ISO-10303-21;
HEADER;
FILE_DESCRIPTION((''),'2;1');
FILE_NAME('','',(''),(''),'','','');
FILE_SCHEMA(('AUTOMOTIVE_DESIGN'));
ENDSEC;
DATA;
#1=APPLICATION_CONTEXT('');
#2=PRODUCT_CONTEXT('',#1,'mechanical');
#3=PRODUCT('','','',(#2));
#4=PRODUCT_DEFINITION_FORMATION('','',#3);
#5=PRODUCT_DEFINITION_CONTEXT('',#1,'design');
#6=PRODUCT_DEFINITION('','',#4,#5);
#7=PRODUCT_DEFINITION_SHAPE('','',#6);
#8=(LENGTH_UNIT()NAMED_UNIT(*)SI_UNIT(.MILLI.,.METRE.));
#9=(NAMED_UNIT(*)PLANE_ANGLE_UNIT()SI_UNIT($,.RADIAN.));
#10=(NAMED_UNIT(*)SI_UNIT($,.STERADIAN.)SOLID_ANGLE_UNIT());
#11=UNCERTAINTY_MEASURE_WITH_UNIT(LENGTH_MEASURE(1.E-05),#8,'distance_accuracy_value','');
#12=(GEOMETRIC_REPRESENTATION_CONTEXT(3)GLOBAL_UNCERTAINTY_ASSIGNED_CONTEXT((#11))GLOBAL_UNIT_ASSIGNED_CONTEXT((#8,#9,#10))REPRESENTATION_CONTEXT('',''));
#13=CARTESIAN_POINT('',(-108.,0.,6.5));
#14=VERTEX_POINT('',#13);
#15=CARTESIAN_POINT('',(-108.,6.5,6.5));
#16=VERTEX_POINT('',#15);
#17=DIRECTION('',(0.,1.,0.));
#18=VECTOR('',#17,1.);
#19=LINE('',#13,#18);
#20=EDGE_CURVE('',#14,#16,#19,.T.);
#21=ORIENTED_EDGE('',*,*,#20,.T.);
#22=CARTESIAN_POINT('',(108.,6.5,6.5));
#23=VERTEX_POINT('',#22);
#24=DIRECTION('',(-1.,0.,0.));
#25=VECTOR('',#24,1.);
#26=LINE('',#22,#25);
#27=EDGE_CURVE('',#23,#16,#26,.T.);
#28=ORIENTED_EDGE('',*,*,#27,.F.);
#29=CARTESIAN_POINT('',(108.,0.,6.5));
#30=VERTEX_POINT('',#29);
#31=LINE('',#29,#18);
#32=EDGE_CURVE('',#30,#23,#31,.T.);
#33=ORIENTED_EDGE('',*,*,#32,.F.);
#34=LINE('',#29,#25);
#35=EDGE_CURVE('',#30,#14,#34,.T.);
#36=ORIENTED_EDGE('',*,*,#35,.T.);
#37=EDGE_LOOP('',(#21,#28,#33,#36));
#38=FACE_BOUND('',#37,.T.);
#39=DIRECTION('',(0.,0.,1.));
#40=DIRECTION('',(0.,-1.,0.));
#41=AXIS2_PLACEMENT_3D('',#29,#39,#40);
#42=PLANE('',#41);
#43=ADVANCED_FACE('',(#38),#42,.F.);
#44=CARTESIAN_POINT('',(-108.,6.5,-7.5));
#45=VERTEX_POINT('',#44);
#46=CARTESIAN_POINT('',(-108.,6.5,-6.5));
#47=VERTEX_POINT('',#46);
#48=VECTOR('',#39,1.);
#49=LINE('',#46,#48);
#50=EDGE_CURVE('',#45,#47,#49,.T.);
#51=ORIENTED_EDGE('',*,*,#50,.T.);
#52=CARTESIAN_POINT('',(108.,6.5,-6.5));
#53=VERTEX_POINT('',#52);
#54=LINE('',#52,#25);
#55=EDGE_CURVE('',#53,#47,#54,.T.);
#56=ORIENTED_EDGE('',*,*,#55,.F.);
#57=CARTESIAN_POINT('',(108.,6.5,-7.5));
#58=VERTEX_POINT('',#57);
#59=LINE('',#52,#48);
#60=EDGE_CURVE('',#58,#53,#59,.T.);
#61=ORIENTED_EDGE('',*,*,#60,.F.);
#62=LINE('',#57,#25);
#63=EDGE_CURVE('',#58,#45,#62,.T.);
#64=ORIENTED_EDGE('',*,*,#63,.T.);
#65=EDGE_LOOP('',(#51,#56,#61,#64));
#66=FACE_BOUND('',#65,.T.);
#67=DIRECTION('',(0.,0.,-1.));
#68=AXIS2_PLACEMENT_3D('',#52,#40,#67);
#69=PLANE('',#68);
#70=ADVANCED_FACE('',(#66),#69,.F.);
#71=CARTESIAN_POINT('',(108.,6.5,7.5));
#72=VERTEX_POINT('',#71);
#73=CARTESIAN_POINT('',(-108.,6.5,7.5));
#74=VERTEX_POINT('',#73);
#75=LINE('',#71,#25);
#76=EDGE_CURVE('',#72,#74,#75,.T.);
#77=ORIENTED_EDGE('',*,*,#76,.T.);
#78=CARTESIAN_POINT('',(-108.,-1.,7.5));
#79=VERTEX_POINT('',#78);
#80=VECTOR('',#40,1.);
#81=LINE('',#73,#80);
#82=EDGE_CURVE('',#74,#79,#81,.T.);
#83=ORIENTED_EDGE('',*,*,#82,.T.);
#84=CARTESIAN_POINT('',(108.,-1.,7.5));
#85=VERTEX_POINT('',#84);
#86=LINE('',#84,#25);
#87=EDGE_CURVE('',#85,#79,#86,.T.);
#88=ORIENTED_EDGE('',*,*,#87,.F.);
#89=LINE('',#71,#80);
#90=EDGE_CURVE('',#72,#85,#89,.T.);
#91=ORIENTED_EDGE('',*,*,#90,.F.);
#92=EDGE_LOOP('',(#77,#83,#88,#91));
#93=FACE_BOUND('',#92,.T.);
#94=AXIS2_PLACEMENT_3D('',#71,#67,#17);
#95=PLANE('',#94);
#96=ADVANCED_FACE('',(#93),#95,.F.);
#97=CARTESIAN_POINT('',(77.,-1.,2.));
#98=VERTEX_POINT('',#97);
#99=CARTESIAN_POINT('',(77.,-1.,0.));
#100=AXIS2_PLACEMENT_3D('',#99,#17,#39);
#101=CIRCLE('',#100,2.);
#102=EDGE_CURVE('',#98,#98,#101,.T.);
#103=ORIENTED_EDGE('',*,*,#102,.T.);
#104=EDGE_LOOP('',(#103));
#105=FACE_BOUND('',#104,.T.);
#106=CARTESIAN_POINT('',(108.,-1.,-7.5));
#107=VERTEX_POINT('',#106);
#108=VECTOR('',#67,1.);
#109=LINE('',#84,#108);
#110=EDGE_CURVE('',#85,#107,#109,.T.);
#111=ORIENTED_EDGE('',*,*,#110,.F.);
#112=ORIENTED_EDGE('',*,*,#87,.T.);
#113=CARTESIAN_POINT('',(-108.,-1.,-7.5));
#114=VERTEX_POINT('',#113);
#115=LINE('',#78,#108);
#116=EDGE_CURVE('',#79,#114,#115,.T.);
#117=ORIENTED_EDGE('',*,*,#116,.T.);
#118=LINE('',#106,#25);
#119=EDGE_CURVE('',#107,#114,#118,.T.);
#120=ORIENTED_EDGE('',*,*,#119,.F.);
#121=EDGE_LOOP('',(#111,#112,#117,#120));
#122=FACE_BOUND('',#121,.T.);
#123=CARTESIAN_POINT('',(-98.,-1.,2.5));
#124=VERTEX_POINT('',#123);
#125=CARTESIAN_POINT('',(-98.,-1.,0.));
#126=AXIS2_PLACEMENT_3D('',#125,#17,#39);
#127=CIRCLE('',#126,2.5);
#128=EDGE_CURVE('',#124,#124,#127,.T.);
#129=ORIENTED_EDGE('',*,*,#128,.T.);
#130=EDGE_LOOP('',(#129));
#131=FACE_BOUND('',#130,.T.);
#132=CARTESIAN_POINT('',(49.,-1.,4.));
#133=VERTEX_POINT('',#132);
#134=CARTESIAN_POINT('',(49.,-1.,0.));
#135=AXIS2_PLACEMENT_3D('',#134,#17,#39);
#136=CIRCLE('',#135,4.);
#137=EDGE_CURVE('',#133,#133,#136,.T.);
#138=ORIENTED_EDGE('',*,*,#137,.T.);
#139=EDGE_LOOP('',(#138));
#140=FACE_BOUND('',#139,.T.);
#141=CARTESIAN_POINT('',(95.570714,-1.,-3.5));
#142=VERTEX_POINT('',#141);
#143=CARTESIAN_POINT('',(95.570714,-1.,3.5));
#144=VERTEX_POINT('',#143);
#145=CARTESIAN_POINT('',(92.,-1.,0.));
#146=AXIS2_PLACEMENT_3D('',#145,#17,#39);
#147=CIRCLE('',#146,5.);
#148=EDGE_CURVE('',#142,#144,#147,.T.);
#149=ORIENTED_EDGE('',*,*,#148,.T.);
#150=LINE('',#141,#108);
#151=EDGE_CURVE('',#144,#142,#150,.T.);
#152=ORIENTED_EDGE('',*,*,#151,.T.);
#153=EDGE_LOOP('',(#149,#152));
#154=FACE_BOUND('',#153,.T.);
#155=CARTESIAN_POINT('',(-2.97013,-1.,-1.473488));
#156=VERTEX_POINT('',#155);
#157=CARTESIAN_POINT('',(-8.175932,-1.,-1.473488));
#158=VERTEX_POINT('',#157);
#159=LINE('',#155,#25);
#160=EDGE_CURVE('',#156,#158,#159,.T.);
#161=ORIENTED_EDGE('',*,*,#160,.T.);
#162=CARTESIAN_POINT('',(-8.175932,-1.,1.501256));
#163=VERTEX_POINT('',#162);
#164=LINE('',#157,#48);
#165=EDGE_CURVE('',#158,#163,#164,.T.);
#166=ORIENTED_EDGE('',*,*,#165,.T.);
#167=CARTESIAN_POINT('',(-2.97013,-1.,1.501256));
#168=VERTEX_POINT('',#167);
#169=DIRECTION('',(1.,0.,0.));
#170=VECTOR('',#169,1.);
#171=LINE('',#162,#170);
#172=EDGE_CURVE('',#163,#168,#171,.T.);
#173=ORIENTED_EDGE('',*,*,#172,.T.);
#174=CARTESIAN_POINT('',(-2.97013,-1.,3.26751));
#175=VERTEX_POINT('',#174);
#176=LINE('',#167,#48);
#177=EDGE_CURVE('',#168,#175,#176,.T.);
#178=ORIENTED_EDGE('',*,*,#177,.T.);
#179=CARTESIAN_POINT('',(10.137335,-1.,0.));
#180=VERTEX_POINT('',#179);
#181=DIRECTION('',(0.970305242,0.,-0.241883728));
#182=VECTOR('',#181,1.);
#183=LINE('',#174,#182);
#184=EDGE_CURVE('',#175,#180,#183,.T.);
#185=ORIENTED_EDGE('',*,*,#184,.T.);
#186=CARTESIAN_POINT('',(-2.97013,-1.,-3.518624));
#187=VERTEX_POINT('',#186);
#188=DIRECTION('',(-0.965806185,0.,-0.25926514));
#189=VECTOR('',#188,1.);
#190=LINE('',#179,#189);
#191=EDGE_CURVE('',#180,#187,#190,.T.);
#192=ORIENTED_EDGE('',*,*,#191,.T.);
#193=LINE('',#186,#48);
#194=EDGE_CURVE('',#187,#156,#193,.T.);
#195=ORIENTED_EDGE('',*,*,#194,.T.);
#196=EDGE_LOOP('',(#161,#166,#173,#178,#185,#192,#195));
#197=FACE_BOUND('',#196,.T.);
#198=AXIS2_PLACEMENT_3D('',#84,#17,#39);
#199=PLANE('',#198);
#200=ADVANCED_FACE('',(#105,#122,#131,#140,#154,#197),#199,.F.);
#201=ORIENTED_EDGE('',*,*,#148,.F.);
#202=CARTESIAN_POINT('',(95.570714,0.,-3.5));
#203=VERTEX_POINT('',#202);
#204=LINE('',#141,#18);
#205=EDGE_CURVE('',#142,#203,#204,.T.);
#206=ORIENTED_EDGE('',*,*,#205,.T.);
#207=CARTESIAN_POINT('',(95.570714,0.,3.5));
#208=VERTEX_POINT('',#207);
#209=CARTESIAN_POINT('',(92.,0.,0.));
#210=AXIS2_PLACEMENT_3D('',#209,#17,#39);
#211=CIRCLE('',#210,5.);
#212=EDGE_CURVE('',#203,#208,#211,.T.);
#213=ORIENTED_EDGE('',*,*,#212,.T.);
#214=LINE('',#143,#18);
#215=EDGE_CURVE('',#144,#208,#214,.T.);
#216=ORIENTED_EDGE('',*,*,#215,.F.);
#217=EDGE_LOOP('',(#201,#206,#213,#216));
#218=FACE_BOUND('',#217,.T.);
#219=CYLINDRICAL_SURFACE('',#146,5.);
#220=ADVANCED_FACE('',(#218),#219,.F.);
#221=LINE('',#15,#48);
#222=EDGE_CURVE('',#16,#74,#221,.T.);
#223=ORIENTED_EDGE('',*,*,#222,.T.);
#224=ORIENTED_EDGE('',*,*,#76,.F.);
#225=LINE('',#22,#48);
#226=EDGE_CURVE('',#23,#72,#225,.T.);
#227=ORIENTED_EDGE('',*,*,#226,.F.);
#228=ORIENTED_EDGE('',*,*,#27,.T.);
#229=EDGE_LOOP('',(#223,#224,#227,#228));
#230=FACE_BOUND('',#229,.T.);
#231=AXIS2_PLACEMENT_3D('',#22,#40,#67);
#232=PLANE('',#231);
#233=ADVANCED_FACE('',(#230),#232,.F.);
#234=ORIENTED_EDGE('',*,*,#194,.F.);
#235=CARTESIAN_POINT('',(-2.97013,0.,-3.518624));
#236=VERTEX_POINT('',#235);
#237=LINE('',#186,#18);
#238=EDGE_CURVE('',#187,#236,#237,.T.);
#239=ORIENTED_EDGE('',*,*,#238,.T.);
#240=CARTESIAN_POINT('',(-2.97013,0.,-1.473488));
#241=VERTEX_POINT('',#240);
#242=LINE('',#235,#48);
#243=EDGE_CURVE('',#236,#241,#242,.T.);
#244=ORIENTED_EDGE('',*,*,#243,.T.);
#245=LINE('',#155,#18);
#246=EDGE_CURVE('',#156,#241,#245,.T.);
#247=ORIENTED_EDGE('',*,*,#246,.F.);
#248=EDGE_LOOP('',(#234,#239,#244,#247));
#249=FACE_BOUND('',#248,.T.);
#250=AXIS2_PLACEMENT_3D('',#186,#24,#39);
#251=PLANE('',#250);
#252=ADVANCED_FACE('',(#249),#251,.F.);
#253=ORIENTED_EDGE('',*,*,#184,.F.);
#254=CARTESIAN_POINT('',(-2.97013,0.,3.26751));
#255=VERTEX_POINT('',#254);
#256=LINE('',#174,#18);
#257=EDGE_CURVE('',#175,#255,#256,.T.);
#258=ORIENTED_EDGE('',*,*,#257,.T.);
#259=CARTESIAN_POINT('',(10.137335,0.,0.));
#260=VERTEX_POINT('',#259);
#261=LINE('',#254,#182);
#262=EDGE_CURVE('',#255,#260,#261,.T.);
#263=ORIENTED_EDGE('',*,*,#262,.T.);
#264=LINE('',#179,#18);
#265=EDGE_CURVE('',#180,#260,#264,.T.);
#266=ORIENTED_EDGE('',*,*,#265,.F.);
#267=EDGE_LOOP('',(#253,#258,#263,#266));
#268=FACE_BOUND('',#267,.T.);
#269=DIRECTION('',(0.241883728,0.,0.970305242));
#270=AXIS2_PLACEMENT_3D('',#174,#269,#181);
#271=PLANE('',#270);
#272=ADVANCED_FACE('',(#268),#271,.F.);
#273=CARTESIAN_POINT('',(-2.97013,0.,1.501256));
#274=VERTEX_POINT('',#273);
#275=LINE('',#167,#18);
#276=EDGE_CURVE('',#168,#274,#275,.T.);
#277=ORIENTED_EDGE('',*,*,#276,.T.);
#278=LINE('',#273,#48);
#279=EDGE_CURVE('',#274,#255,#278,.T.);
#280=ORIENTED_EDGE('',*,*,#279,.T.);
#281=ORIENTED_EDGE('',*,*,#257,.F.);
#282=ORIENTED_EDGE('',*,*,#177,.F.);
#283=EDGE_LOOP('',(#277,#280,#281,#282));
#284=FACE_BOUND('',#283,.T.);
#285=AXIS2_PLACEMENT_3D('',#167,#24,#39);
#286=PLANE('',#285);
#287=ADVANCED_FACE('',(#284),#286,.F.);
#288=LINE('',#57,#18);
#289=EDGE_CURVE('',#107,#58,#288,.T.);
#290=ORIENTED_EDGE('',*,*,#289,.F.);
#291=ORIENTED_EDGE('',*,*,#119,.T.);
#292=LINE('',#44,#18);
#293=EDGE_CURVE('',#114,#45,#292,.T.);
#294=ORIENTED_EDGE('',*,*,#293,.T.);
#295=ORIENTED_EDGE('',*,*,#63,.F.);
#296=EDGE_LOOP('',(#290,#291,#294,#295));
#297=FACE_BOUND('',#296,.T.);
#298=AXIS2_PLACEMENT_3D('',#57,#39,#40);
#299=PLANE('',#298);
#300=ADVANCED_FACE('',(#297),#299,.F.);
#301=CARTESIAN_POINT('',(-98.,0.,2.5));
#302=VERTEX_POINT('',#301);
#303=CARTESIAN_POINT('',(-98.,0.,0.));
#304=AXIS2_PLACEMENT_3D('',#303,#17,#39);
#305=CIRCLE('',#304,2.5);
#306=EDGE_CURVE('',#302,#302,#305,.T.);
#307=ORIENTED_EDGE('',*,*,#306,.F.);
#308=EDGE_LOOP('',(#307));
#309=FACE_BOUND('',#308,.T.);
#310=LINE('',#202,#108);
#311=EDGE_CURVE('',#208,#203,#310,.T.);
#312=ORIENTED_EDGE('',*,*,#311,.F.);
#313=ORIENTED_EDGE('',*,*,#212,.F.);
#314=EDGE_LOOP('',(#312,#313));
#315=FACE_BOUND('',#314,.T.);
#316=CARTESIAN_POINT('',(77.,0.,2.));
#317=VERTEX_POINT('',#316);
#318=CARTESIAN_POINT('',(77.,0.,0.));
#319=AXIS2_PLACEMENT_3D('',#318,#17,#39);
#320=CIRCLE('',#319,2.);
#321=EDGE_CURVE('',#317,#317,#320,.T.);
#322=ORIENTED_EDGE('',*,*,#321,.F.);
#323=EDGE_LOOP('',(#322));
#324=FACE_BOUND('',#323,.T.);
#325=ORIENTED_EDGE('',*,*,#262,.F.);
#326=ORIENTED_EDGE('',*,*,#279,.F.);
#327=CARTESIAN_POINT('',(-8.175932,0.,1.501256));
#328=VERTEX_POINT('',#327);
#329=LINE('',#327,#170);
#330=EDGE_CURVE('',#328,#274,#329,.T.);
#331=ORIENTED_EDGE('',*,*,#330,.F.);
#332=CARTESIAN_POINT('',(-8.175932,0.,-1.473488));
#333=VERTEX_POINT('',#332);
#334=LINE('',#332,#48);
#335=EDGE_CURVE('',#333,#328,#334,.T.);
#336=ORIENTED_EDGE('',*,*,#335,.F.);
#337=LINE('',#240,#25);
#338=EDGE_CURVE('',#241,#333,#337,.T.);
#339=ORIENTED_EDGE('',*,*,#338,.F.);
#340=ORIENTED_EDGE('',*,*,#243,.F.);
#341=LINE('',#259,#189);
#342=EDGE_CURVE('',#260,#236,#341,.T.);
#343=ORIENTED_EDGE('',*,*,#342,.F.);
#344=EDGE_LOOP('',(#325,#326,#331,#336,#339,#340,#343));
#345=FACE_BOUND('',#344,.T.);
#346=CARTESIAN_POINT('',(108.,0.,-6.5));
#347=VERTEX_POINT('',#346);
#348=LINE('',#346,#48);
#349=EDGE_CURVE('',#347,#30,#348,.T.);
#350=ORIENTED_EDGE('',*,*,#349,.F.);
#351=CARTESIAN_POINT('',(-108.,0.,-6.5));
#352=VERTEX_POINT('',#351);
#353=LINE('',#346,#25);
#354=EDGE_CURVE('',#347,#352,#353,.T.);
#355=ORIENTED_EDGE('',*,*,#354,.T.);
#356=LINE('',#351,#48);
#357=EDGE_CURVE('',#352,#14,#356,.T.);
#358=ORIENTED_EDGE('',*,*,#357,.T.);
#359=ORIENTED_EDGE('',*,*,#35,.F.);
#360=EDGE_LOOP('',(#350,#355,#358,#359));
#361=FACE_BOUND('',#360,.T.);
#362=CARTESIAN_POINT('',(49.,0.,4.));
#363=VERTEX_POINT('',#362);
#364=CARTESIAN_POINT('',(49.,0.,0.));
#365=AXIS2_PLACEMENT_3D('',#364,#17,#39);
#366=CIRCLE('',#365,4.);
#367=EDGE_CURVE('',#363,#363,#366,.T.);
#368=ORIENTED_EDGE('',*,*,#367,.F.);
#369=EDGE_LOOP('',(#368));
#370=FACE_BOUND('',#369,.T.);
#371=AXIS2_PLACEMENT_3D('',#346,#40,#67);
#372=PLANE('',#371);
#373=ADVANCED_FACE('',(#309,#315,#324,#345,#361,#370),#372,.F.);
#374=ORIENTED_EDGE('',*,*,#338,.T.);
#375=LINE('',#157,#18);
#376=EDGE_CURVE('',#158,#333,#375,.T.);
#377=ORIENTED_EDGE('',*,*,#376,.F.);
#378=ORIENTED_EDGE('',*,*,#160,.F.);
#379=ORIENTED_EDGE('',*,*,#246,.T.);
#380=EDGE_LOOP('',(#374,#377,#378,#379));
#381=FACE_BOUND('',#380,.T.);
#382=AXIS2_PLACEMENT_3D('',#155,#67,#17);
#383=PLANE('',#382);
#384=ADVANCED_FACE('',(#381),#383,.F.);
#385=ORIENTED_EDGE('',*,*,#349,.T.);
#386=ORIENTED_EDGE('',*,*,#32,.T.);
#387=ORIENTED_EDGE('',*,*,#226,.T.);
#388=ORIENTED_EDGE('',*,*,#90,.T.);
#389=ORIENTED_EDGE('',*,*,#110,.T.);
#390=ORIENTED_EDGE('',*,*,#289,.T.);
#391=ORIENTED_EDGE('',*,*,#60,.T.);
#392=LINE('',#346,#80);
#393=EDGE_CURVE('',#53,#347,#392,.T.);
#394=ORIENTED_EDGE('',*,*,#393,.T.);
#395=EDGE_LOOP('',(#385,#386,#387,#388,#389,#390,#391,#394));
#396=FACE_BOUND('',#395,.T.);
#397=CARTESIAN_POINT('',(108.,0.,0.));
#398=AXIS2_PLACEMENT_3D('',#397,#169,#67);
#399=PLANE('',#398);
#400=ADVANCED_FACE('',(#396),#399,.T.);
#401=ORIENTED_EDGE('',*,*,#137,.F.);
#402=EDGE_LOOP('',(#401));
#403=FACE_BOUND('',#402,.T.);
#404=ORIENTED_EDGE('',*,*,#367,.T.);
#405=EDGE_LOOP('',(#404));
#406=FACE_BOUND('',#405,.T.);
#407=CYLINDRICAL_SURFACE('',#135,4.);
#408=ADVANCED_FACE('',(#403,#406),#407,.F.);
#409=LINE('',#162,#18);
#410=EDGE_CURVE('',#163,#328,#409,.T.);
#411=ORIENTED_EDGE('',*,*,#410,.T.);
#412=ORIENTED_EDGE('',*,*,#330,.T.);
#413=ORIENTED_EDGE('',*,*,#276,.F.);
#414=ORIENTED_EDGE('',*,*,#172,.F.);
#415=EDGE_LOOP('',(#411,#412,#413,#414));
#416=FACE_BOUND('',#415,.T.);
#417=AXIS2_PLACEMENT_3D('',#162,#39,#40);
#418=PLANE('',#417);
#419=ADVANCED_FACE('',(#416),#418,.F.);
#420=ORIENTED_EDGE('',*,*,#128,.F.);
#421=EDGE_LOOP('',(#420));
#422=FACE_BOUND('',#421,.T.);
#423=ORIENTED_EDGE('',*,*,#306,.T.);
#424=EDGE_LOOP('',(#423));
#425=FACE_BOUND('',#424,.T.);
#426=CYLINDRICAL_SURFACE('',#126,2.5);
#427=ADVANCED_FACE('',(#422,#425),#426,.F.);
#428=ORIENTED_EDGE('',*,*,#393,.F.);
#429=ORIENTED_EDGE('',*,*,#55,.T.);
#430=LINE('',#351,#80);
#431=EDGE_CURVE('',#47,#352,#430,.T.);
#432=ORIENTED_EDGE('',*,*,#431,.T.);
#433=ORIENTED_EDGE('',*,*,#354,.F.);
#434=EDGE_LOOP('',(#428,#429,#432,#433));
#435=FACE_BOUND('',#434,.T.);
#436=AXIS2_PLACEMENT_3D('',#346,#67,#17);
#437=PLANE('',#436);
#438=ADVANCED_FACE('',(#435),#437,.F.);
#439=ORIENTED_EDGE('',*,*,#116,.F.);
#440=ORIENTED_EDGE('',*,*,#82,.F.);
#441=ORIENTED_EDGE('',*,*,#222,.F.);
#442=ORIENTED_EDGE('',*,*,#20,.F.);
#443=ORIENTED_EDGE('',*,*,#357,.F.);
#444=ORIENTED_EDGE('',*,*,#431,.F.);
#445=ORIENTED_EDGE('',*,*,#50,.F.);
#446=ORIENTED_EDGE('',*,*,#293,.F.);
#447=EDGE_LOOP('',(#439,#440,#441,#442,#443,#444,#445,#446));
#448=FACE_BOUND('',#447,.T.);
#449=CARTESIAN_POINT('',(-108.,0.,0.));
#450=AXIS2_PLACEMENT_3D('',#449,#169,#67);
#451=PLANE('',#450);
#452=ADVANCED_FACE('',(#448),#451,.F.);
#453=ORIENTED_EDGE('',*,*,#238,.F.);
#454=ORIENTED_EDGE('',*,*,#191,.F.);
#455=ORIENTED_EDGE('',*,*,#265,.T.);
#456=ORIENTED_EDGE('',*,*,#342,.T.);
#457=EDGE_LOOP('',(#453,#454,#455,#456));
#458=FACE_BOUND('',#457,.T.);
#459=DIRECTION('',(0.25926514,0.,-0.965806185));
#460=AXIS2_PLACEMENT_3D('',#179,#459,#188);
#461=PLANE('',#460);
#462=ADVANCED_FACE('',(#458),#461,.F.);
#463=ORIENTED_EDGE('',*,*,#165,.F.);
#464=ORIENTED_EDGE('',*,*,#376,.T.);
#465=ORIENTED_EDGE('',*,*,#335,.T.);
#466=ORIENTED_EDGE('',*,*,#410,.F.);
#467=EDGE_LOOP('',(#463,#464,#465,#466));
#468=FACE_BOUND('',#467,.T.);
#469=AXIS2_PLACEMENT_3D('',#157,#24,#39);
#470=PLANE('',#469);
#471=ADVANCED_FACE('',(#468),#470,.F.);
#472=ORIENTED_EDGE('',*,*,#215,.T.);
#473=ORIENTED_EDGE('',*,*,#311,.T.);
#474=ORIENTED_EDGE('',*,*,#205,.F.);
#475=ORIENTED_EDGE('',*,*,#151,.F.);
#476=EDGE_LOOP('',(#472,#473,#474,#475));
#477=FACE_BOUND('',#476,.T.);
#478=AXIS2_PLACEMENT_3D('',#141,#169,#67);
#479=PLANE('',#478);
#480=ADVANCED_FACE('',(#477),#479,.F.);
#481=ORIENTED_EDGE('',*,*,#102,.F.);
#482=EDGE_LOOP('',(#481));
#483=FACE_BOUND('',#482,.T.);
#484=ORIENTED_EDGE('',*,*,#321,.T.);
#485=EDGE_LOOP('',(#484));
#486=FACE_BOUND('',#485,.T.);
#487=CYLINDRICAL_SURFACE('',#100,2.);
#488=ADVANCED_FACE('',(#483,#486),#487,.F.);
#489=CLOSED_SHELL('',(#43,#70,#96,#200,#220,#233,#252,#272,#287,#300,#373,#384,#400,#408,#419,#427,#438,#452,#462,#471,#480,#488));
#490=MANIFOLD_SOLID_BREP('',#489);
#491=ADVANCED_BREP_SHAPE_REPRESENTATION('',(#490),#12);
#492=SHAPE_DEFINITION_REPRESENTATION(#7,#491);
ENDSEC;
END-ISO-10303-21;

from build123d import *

# Parameters (mm, degrees)
BOSS_EXTRU_1_DEPTH      = 108
ESQUISSE2_R             = 2.5
ESQUISSE2_R_2           = 4
ESQUISSE2_R_3           = 2
ENL_V_MAT_EXTRU_1_DEPTH = 109.455059817


with BuildPart() as part:
    # Esquisse1 → Boss.-Extru.1 (new, symmetric)
    with BuildSketch(Plane(origin=(0, 0, 0), x_dir=(0, 0, -1), z_dir=(1, 0, 0))):
        Polygon((-7.5, 6.5), (-7.5, -1), (7.5, -1), (7.5, 6.5), (6.5, 6.5), (6.5, 0), (-6.5, 0), (-6.5, 6.5), align=None)
    extrude(amount=BOSS_EXTRU_1_DEPTH, both=True)

    # Esquisse2 → Enlèv. mat.-Extru.1 (cut, through all)
    with BuildSketch(Plane(origin=(0, 0, 0), x_dir=(1, 0, 0), z_dir=(0, 1, 0))):
        with Locations(Location((-98, 0, 0), (0, 0, 270))):
            Circle(ESQUISSE2_R)
        with Locations(Location((49, 0, 0), (0, 0, 270))):
            Circle(ESQUISSE2_R_2)
        with Locations(Location((77, 0, 0), (0, 0, 270))):
            Circle(ESQUISSE2_R_3)
        with BuildLine():
            Line((95.570714214, 3.5), (95.570714214, -3.5))
            ThreePointArc((95.570714214, -3.5), (87, 0), (95.570714214, 3.5))
        make_face()
        Polygon((-8.175932032, 1.473487567), (-8.175932032, -1.501256313), (-2.970130241, -1.501256313), (-2.970130241, -3.267510492), (10.137334983, 0), (-2.970130241, 3.518623985), (-2.970130241, 1.473487567), align=None)
    extrude(amount=-ENL_V_MAT_EXTRU_1_DEPTH, mode=Mode.SUBTRACT)


solid = part.part
